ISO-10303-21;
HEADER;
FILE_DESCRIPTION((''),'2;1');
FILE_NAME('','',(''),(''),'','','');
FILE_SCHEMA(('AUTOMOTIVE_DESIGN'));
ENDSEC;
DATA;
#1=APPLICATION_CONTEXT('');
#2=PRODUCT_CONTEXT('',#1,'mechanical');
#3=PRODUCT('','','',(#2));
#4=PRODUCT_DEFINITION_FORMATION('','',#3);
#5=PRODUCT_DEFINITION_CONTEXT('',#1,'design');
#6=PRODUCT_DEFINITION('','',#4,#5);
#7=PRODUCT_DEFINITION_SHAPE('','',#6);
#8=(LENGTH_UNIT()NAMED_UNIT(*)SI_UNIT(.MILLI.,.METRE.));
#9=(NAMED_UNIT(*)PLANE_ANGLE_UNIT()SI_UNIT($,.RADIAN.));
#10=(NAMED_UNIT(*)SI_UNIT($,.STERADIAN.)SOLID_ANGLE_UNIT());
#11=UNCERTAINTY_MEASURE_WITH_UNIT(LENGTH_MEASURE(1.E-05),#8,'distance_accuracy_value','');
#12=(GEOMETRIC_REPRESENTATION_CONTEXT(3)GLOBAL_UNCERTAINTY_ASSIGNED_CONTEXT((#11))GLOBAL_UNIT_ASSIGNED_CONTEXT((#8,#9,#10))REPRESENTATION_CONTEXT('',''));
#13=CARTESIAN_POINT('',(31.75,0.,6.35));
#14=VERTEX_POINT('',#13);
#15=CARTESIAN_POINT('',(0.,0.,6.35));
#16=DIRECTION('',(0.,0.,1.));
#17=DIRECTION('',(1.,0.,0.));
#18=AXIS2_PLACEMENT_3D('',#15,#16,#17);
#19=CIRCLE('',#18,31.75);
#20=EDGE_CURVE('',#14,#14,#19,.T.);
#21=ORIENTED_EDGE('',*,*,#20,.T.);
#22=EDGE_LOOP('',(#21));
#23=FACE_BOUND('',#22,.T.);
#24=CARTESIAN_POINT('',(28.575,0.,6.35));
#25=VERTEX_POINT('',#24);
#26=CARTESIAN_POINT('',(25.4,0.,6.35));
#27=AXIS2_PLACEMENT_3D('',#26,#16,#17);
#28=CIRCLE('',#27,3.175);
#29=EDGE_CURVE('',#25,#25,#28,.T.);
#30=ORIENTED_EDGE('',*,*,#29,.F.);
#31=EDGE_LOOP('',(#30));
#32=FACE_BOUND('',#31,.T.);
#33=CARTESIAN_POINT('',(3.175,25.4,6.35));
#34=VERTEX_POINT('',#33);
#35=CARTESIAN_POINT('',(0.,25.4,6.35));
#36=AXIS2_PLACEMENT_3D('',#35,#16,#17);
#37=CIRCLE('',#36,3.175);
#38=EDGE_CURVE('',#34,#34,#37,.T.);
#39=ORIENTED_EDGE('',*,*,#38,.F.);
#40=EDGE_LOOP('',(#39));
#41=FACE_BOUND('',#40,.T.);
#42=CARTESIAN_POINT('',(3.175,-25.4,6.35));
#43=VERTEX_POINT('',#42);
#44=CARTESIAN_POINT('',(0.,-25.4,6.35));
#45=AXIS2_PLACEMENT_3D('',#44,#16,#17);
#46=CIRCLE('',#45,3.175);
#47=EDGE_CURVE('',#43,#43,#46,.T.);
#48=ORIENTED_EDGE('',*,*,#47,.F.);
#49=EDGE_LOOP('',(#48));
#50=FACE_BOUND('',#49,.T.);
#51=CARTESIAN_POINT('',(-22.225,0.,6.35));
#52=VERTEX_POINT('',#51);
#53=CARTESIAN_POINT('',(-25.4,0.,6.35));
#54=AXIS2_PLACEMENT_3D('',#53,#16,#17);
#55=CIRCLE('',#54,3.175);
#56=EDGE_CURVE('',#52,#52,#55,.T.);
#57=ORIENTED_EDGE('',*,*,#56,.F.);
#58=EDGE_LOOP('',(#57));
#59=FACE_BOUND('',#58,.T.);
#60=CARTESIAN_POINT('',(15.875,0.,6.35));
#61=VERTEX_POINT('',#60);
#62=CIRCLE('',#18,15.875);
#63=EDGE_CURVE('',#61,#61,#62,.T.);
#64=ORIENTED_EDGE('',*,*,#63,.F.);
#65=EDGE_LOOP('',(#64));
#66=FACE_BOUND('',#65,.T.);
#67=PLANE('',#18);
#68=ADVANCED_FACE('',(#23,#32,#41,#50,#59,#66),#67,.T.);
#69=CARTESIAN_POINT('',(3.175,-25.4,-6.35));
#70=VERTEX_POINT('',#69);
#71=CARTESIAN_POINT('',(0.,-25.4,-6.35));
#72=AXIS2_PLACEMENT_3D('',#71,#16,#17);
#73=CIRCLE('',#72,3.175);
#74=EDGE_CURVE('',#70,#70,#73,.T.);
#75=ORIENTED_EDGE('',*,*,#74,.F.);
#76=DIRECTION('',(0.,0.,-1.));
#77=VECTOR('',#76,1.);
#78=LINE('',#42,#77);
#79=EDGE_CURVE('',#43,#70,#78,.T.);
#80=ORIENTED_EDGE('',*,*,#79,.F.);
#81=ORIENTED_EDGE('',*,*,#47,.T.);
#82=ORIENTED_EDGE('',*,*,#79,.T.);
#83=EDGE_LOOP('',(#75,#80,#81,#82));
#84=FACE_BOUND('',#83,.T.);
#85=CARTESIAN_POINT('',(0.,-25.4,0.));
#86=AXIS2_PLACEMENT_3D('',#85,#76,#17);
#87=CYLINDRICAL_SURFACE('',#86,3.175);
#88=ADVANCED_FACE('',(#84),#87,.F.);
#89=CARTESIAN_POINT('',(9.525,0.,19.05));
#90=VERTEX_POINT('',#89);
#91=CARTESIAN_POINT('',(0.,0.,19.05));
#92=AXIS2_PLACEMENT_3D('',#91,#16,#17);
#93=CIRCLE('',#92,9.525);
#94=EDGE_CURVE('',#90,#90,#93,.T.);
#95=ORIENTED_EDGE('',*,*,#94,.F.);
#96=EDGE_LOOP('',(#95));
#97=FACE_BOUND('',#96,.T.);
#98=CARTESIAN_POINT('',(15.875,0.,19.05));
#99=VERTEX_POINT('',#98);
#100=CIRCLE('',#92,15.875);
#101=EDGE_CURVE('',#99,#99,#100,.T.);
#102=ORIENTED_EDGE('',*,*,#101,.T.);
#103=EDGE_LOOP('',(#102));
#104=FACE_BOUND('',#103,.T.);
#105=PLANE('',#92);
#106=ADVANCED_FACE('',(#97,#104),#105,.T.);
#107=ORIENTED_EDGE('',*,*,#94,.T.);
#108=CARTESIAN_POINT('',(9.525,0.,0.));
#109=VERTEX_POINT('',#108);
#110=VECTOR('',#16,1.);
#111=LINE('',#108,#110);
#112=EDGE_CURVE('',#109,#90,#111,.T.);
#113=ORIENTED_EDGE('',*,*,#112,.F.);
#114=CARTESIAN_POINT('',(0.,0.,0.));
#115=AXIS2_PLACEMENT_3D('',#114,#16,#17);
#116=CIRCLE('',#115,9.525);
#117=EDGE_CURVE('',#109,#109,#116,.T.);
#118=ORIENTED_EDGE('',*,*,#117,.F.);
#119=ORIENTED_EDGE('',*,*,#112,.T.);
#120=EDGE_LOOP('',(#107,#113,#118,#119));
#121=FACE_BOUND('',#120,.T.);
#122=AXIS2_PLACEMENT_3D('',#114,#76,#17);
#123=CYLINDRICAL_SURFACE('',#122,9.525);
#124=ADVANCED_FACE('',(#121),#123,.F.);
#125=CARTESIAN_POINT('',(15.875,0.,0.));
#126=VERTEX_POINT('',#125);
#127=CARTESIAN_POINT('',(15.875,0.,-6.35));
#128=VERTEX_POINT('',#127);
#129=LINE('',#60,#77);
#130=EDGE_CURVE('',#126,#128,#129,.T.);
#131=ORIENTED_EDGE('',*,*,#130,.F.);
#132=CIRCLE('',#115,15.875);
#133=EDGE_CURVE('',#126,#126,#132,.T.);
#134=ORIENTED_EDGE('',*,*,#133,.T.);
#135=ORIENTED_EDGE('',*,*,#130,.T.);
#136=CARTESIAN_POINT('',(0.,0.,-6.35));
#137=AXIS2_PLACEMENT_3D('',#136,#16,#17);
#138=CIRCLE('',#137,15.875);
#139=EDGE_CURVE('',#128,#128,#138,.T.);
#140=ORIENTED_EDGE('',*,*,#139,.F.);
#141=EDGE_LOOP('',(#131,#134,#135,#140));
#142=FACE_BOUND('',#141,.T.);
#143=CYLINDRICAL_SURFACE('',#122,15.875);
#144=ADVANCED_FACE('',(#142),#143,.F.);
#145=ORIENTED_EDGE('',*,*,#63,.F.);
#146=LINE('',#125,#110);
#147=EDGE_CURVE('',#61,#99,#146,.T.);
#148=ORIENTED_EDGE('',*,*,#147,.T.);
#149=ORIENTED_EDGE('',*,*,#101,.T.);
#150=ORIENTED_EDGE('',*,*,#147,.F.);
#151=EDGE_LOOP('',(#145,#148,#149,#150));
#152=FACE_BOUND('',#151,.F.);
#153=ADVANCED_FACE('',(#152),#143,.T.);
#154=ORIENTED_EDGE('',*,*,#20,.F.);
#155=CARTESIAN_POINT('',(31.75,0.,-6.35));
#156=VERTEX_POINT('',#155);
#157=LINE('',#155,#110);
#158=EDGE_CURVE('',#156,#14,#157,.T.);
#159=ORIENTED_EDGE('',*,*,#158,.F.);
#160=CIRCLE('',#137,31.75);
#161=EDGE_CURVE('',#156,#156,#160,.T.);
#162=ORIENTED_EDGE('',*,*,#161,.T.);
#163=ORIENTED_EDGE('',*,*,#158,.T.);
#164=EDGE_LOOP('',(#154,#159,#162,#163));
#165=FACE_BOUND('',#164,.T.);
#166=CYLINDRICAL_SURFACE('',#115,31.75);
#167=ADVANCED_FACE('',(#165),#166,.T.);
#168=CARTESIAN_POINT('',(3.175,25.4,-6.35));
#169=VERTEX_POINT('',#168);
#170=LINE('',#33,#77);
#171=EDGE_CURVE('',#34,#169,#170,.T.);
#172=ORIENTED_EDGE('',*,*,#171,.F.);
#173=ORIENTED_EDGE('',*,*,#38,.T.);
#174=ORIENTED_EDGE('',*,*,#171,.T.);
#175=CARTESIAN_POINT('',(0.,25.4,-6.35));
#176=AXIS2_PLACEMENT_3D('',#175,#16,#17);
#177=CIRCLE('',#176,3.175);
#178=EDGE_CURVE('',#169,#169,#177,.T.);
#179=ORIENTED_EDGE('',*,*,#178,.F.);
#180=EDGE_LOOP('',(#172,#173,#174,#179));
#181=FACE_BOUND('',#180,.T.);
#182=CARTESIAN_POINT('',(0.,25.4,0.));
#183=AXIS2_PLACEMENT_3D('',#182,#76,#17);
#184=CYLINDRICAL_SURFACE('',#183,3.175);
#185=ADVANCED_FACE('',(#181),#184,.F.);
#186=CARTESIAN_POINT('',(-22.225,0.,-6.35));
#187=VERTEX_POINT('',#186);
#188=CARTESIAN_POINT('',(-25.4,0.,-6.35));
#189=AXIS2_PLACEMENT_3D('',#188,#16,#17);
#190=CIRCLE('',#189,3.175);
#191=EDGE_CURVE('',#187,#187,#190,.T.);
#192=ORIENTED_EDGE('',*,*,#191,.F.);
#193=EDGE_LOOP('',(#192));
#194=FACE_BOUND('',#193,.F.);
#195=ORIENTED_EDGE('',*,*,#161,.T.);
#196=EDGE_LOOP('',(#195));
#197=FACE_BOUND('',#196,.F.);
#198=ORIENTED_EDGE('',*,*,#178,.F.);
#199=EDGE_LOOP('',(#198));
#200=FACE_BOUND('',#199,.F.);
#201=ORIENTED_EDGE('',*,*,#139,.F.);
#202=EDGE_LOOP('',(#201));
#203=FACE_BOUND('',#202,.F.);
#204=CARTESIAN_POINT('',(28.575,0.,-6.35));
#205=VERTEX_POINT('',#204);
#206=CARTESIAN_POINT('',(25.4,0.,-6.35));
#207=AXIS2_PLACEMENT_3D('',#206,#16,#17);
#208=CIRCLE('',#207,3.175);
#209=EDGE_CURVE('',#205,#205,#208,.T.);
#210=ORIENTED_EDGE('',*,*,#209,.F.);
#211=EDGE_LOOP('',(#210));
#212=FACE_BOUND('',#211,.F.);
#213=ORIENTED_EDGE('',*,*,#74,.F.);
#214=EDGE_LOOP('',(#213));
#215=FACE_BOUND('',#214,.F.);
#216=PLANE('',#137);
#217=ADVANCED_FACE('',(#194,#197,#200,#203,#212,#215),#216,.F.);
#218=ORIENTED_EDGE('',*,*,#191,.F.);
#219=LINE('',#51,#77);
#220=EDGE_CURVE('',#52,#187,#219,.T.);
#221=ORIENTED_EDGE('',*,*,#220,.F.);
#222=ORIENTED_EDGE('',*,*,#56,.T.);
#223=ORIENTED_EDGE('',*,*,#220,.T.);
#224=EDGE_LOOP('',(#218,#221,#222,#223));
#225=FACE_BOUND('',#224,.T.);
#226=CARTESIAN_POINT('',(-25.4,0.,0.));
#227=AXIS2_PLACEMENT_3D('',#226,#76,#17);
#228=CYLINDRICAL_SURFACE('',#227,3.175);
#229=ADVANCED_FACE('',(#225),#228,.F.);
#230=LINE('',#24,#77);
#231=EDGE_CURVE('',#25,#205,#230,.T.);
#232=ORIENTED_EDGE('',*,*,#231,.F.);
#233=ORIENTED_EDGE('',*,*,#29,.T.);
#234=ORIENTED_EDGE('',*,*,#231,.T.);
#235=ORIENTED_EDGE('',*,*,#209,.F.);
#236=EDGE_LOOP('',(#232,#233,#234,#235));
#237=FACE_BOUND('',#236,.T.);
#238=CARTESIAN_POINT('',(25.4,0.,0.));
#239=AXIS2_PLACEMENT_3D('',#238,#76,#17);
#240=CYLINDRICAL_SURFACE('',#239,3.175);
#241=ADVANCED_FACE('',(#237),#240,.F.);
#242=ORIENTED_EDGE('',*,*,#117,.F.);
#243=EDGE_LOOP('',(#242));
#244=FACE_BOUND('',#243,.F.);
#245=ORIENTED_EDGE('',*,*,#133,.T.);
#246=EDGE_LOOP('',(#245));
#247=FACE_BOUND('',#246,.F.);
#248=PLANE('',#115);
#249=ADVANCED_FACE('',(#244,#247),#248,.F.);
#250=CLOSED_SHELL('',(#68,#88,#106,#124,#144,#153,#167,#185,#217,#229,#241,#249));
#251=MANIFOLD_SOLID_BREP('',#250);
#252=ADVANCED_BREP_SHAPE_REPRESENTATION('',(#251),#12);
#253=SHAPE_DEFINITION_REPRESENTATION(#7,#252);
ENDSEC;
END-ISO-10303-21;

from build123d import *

# Parameters (mm, degrees)
F0_R     = 31.75
F0_R_2   = 3.175
F0_R_3   = 15.875
F1_DEPTH = 6.35
F0_R_4   = 9.525
F2_DEPTH = 19.05


with BuildPart() as f1:
    # F0 (on Top) → F1 (new body, symmetric)
    with BuildSketch(Plane.XY):
        Circle(F0_R)
        with Locations((0, -25.4)):
            Circle(F0_R_2, mode=Mode.SUBTRACT)
        with Locations((-25.4, 0)):
            Circle(F0_R_2, mode=Mode.SUBTRACT)
        Circle(F0_R_3, mode=Mode.SUBTRACT)
        with Locations((25.4, 0)):
            Circle(F0_R_2, mode=Mode.SUBTRACT)
        with Locations((0, 25.4)):
            Circle(F0_R_2, mode=Mode.SUBTRACT)
    extrude(amount=F1_DEPTH, both=True)

    # F0 (on Top) → F2 (join)
    with BuildSketch(Plane.XY):
        Circle(F0_R_3)
        Circle(F0_R_4, mode=Mode.SUBTRACT)
    extrude(amount=F2_DEPTH)


solid = f1.part
